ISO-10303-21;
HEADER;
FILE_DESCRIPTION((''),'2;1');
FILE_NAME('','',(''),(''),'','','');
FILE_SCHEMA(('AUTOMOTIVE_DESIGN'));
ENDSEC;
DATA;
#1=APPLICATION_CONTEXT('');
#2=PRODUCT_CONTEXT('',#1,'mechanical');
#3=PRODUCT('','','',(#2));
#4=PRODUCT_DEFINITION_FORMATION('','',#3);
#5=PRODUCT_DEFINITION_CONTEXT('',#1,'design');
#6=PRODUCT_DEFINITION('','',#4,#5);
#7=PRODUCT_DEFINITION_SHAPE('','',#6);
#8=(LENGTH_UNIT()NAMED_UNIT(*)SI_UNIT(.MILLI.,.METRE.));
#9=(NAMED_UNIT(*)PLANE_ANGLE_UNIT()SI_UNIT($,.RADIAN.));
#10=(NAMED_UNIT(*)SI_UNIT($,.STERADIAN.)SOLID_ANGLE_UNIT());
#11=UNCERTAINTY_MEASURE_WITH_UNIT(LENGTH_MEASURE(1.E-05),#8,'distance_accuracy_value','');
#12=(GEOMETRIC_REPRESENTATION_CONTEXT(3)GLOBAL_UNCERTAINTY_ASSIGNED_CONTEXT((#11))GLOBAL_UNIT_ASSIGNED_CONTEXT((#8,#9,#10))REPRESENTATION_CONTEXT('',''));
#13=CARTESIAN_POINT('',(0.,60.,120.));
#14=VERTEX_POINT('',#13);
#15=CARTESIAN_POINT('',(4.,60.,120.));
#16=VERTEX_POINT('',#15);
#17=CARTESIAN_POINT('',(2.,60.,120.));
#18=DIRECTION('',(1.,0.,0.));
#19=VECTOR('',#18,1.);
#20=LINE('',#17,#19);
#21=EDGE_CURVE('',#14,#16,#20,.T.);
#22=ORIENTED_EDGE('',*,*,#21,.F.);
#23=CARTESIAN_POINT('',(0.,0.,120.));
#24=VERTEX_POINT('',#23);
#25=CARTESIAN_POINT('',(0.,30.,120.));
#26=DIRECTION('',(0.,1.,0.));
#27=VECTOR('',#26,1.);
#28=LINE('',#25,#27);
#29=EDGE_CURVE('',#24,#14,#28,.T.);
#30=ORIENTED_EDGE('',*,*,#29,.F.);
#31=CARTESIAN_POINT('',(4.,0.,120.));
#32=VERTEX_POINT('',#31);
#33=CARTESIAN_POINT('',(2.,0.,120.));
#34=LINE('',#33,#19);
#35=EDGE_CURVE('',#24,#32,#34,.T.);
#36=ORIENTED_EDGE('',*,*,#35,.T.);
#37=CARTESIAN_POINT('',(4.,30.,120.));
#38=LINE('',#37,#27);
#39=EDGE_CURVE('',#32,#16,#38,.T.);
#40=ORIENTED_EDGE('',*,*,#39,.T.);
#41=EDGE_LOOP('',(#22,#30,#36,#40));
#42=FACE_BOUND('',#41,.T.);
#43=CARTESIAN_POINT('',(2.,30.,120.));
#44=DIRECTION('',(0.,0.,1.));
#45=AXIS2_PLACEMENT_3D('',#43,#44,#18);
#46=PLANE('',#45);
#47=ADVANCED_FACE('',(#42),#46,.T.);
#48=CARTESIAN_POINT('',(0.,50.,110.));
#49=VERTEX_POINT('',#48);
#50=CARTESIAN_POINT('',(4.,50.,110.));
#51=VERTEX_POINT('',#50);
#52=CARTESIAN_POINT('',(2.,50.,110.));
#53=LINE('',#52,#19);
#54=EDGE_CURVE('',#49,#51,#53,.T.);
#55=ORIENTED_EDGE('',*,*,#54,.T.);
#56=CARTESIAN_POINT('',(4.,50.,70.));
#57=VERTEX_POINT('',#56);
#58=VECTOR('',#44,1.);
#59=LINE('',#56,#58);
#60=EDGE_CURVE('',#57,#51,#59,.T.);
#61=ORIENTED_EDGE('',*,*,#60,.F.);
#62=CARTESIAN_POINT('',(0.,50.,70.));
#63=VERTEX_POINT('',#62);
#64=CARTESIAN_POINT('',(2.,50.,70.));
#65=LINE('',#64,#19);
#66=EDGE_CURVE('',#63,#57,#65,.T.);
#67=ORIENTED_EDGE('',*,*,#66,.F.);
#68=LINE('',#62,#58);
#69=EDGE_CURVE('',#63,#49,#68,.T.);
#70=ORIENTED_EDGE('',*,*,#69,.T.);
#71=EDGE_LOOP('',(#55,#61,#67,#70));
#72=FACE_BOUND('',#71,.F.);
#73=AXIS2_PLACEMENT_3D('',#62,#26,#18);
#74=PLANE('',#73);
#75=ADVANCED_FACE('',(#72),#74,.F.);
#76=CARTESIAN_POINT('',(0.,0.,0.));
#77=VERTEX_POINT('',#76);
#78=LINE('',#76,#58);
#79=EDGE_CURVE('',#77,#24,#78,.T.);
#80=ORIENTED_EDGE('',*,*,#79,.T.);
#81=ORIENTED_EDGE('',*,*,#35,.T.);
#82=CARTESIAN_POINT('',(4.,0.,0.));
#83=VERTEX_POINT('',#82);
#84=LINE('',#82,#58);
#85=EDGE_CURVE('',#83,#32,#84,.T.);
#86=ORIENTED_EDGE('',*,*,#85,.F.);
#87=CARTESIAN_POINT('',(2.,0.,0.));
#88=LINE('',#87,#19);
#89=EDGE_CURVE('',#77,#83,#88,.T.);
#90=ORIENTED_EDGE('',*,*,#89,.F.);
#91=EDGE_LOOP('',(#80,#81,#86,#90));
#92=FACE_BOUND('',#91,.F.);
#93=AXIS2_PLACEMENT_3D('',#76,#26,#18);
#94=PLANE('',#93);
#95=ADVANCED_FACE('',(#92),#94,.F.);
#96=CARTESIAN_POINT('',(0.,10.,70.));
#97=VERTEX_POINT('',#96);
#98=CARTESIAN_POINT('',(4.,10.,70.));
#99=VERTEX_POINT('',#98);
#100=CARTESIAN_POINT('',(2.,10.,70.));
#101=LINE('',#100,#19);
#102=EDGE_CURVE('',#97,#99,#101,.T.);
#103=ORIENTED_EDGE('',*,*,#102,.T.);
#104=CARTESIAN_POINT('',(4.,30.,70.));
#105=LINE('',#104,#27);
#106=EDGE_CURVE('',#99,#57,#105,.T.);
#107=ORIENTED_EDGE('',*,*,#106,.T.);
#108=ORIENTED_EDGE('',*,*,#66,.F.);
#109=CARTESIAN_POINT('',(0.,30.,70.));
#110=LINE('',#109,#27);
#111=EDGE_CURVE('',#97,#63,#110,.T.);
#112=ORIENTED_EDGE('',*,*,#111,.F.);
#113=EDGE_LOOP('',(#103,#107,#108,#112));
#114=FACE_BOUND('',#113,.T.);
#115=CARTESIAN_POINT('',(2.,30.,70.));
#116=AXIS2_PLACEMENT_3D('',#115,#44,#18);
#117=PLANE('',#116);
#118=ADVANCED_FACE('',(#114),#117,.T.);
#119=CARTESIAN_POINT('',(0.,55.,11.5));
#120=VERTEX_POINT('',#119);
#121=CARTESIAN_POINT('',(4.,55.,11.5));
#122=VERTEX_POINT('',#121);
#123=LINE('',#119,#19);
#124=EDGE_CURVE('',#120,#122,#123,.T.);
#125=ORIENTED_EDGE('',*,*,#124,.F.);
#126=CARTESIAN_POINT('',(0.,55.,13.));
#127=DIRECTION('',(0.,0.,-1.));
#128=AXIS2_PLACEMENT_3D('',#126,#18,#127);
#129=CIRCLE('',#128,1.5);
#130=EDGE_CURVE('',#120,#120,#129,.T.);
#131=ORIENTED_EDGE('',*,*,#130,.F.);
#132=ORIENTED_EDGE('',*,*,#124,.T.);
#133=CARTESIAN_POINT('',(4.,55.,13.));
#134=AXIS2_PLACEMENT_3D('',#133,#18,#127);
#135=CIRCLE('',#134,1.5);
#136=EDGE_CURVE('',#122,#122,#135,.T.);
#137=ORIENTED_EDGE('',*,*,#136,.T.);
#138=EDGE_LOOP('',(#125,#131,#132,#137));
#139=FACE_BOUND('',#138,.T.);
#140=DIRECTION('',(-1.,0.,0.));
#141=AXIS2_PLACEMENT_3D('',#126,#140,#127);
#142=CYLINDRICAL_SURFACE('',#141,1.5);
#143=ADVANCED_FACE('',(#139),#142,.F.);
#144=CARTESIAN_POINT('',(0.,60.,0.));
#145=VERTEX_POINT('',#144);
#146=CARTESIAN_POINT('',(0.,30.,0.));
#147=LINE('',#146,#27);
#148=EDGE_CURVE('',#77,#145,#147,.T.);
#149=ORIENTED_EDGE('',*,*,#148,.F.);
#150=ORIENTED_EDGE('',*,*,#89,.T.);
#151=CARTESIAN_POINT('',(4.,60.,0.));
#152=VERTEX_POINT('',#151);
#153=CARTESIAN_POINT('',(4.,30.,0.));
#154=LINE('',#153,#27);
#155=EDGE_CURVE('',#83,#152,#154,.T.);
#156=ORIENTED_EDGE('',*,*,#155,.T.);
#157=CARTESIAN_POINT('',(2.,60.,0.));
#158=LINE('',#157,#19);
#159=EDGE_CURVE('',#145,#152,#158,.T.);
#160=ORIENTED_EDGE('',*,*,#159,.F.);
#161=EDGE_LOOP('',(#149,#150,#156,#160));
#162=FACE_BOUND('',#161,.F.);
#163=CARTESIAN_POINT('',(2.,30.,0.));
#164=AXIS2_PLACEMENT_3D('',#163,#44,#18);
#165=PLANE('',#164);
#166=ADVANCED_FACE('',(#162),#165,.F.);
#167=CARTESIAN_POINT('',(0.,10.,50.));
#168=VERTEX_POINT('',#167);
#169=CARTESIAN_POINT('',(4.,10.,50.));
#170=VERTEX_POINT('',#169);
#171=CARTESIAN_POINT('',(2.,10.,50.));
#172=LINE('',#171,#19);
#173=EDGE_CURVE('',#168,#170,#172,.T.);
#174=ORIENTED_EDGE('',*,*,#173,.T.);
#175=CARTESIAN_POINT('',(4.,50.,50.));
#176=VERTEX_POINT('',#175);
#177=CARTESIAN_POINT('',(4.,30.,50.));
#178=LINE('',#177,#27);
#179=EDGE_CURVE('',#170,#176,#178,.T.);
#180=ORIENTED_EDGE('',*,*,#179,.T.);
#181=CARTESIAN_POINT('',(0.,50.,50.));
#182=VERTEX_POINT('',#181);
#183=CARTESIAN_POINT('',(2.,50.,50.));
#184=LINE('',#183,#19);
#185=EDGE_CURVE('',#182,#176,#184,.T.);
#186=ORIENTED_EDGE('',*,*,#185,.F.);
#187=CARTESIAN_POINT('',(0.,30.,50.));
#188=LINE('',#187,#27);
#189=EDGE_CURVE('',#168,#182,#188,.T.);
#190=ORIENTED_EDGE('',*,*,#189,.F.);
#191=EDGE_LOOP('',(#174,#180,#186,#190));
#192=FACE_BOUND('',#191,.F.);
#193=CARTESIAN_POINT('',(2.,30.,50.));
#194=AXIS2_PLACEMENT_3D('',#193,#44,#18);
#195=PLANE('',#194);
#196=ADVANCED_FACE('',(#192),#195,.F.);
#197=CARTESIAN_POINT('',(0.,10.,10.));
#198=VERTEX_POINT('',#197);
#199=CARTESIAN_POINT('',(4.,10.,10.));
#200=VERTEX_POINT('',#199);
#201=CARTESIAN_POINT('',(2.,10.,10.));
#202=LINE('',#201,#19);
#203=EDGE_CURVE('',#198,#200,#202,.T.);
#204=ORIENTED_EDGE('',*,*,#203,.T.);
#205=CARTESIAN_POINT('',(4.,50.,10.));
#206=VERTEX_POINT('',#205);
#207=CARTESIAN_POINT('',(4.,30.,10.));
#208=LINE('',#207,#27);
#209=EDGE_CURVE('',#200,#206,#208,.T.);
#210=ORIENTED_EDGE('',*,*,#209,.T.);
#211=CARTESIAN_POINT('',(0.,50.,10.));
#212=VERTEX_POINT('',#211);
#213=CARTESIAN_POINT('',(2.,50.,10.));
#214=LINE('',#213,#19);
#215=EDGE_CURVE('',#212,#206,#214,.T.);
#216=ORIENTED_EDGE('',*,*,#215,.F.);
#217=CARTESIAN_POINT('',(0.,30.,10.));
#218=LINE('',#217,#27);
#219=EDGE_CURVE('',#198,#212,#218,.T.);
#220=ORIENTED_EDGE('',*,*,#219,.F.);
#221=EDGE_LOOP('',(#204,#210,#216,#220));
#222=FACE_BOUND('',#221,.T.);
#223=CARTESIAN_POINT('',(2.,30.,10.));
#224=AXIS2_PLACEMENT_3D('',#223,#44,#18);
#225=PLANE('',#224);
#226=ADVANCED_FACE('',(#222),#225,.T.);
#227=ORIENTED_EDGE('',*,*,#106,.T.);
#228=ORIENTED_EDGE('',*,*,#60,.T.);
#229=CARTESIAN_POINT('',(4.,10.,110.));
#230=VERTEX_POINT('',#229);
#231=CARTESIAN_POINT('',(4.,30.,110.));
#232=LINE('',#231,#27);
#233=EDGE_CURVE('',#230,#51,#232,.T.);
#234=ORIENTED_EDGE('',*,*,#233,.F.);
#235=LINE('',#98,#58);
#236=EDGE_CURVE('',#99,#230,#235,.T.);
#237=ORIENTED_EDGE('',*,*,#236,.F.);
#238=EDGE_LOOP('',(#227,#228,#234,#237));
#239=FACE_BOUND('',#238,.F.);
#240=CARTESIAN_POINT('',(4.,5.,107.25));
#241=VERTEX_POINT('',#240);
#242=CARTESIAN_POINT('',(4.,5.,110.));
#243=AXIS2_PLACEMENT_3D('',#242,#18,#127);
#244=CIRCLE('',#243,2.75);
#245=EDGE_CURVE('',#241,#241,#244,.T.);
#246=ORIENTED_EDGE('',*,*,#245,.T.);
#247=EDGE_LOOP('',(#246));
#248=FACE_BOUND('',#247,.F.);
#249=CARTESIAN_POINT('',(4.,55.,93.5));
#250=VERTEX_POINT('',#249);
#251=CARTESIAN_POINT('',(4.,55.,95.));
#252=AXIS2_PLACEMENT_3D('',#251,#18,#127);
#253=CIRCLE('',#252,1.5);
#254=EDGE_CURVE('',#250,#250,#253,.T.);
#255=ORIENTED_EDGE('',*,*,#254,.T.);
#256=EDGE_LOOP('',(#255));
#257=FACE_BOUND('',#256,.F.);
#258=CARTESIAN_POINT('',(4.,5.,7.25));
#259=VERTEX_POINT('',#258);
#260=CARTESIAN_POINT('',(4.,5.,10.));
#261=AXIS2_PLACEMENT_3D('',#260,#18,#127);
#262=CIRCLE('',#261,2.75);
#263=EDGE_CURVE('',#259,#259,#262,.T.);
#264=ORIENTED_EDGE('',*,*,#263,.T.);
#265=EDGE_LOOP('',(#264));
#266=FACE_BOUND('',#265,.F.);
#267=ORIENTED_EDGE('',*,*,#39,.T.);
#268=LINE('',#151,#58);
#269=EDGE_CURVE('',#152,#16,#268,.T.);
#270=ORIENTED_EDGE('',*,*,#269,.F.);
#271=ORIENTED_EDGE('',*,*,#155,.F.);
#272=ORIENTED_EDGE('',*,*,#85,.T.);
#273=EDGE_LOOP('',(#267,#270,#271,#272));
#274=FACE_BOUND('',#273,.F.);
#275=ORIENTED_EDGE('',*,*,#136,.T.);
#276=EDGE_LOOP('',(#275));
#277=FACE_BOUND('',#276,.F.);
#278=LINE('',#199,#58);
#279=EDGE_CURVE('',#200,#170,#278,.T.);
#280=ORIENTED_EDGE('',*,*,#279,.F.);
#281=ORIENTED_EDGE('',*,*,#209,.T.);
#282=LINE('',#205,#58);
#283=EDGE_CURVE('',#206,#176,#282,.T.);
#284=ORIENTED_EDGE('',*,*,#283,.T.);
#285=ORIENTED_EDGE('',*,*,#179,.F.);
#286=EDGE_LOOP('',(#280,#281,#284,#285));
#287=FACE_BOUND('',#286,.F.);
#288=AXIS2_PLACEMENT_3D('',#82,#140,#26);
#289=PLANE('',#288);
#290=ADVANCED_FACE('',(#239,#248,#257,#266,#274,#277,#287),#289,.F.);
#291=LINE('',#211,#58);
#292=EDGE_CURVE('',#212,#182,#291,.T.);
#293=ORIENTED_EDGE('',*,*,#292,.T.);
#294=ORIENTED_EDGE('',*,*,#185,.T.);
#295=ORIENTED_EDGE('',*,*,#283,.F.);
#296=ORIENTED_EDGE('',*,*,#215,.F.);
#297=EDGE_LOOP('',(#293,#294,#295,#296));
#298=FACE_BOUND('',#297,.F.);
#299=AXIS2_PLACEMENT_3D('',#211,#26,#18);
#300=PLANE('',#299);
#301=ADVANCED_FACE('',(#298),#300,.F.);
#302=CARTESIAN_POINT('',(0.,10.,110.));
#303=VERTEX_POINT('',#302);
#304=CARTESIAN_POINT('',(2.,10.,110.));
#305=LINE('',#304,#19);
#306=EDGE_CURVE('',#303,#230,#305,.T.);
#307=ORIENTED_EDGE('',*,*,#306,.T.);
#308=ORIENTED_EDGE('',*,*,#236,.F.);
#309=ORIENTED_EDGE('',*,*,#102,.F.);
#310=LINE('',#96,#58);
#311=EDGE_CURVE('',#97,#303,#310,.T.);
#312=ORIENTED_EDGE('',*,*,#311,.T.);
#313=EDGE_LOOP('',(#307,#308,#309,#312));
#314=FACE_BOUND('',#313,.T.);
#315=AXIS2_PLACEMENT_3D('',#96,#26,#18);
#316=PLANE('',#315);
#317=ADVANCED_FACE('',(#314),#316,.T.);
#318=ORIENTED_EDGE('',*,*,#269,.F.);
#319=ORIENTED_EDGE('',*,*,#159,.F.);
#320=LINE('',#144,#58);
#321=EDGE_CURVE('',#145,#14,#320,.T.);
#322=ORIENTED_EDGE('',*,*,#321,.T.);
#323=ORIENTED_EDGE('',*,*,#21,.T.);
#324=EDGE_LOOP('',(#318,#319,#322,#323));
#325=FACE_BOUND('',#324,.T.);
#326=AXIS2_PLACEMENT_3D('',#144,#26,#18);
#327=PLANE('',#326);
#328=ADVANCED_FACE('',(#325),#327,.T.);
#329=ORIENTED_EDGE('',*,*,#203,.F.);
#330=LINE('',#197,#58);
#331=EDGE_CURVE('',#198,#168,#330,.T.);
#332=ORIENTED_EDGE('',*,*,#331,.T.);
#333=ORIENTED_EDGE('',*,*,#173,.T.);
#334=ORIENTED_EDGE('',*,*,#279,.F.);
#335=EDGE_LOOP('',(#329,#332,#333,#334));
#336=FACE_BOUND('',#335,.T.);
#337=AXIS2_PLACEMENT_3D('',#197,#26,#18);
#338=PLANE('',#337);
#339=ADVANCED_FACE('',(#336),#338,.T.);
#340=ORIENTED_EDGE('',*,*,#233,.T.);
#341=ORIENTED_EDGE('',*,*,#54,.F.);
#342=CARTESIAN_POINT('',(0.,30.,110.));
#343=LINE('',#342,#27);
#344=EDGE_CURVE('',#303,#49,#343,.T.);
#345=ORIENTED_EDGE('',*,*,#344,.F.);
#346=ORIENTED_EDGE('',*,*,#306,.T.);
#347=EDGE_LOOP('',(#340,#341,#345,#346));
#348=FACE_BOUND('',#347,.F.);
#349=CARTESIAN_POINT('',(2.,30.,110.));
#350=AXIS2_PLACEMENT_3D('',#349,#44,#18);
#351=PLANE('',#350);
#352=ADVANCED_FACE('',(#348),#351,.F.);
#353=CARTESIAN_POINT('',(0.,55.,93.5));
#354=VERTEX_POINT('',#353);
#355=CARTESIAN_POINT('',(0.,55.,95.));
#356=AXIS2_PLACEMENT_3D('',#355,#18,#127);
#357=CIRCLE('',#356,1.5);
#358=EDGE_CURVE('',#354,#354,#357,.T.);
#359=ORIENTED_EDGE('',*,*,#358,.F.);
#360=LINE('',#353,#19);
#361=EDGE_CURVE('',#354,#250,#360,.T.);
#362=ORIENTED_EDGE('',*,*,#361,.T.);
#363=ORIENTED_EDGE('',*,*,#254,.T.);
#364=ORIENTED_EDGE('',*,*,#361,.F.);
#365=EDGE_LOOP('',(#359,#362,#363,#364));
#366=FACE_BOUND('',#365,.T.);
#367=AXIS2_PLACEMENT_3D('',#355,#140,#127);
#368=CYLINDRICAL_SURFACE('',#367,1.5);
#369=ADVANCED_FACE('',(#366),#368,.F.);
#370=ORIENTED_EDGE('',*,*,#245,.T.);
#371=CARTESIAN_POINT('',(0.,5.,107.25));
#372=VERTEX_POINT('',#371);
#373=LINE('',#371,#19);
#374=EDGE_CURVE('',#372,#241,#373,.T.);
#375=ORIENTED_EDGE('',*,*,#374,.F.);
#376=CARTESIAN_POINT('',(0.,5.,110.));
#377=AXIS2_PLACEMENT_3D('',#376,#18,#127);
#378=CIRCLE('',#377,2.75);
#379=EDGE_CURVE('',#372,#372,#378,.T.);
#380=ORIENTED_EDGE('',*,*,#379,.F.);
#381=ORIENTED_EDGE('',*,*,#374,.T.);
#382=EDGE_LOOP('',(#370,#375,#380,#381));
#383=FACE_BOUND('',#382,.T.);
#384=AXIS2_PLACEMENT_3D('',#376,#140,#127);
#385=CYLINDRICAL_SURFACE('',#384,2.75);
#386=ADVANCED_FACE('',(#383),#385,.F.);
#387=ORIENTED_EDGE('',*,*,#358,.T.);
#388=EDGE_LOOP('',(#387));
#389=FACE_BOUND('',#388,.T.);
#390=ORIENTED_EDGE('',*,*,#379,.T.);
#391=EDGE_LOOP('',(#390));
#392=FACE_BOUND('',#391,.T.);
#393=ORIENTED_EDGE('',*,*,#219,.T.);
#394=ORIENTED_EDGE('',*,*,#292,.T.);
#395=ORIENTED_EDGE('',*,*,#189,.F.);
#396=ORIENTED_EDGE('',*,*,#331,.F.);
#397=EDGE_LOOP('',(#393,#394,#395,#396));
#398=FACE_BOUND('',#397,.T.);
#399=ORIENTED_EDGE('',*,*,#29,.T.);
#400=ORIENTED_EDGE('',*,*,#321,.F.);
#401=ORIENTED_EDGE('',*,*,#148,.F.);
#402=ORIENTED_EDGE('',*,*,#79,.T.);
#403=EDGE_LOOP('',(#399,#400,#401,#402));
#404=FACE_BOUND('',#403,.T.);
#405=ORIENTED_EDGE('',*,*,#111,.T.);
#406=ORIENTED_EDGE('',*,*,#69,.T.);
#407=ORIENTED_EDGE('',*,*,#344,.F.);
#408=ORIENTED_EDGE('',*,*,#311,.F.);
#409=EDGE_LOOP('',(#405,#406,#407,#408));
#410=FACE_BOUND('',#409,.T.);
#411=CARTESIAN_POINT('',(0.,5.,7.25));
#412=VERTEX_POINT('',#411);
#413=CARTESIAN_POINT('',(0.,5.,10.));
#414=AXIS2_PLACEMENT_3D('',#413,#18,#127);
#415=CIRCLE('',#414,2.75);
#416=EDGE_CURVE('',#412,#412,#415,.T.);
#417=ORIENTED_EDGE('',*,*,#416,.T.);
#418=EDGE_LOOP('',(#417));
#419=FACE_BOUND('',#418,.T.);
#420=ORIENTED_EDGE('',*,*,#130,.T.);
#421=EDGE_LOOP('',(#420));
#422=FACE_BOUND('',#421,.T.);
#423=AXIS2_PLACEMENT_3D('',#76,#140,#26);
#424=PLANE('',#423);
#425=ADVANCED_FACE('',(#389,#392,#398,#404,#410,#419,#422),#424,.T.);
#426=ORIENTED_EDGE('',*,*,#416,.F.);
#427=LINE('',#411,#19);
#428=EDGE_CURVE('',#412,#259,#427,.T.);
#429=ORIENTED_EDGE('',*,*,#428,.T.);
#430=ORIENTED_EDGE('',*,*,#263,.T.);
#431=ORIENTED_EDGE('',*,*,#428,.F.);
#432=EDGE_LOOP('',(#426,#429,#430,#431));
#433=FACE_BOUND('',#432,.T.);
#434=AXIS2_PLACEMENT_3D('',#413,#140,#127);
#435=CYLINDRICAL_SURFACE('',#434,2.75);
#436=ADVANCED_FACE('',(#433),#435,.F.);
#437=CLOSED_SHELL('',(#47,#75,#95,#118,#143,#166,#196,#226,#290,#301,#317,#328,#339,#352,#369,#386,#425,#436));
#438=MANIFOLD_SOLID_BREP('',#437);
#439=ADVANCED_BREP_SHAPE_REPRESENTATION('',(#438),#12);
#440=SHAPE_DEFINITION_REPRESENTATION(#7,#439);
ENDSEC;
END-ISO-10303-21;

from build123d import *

# Parameters (mm, degrees)
CYLINDER002_R           = 1.5
CYLINDER002_DEPTH       = 4
CYLINDER002_PITCH_ANGLE = 90
CYLINDER003_R           = 1.5
CYLINDER003_DEPTH       = 4
CYLINDER003_PITCH_ANGLE = 90
CYLINDER_R              = 2.75
CYLINDER_DEPTH          = 4
CYLINDER_PITCH_ANGLE    = 90
CYLINDER001_R           = 2.75
CYLINDER001_DEPTH       = 4
CYLINDER001_PITCH_ANGLE = 90
BOX002_W                = 4
BOX002_H                = 40
BOX002_DEPTH            = 40
BOX001_W                = 4
BOX001_H                = 40
BOX001_DEPTH            = 40
BOX_W                   = 4
BOX_H                   = 60
BOX_DEPTH               = 120


with BuildPart() as cilindro002:
    # Cylinder002 → Cylinder002 (new body)
    with BuildSketch(Plane.XY):
        Circle(CYLINDER002_R)
    extrude(amount=CYLINDER002_DEPTH)


with BuildPart() as cilindro002_1:
    # Cylinder002 pitch: moved
    add(cilindro002.part.rotate(Axis((0, 0, 0), (0, 1, 0)), CYLINDER002_PITCH_ANGLE))


with BuildPart() as cilindro002_2:
    # Cylinder002 placement: moved
    add(cilindro002_1.part.moved(Location((0, 55, 95))))


with BuildPart() as cilindro003:
    # Cylinder003 → Cylinder003 (new body)
    with BuildSketch(Plane.XY):
        Circle(CYLINDER003_R)
    extrude(amount=CYLINDER003_DEPTH)


with BuildPart() as cilindro003_1:
    # Cylinder003 pitch: moved
    add(cilindro003.part.rotate(Axis((0, 0, 0), (0, 1, 0)), CYLINDER003_PITCH_ANGLE))


with BuildPart() as cilindro003_2:
    # Cylinder003 placement: moved
    add(cilindro003_1.part.moved(Location((0, 55, 13))))


with BuildPart() as cilindro:
    # Cylinder → Cylinder (new body)
    with BuildSketch(Plane.XY):
        Circle(CYLINDER_R)
    extrude(amount=CYLINDER_DEPTH)


with BuildPart() as cilindro_1:
    # Cylinder pitch: moved
    add(cilindro.part.rotate(Axis((0, 0, 0), (0, 1, 0)), CYLINDER_PITCH_ANGLE))


with BuildPart() as cilindro_2:
    # Cylinder placement: moved
    add(cilindro_1.part.moved(Location((0, 5, 10))))


with BuildPart() as cilindro001:
    # Cylinder001 → Cylinder001 (new body)
    with BuildSketch(Plane.XY):
        Circle(CYLINDER001_R)
    extrude(amount=CYLINDER001_DEPTH)


with BuildPart() as cilindro001_1:
    # Cylinder001 pitch: moved
    add(cilindro001.part.rotate(Axis((0, 0, 0), (0, 1, 0)), CYLINDER001_PITCH_ANGLE))


with BuildPart() as cilindro001_2:
    # Cylinder001 placement: moved
    add(cilindro001_1.part.moved(Location((0, 5, 110))))


with BuildPart() as cubo002:
    # Box002 → Box002 (new body)
    with BuildSketch(Plane(origin=(0, 10, 70), x_dir=(1, 0, 0), z_dir=(0, 0, 1))):
        with Locations((2, 20)):
            Rectangle(BOX002_W, BOX002_H)
    extrude(amount=BOX002_DEPTH)


with BuildPart() as fusion001:
    # Box001 → Box001 (new body)
    with BuildSketch(Plane(origin=(0, 10, 10), x_dir=(1, 0, 0), z_dir=(0, 0, 1))):
        with Locations((2, 20)):
            Rectangle(BOX001_W, BOX001_H)
    extrude(amount=BOX001_DEPTH)

    # Fusion: union Cubo002
    add(cubo002.part)

    # Fusion001: union Cilindro002, Cilindro003, Cilindro, Cilindro001
    add(cilindro002_2.part)
    add(cilindro003_2.part)
    add(cilindro_2.part)
    add(cilindro001_2.part)


with BuildPart() as cut:
    # Box → Box (new body)
    with BuildSketch(Plane.XY):
        with Locations((2, 30)):
            Rectangle(BOX_W, BOX_H)
    extrude(amount=BOX_DEPTH)

    # Cut: cut Fusion001
    add(fusion001.part, mode=Mode.SUBTRACT)


solid = cut.part
